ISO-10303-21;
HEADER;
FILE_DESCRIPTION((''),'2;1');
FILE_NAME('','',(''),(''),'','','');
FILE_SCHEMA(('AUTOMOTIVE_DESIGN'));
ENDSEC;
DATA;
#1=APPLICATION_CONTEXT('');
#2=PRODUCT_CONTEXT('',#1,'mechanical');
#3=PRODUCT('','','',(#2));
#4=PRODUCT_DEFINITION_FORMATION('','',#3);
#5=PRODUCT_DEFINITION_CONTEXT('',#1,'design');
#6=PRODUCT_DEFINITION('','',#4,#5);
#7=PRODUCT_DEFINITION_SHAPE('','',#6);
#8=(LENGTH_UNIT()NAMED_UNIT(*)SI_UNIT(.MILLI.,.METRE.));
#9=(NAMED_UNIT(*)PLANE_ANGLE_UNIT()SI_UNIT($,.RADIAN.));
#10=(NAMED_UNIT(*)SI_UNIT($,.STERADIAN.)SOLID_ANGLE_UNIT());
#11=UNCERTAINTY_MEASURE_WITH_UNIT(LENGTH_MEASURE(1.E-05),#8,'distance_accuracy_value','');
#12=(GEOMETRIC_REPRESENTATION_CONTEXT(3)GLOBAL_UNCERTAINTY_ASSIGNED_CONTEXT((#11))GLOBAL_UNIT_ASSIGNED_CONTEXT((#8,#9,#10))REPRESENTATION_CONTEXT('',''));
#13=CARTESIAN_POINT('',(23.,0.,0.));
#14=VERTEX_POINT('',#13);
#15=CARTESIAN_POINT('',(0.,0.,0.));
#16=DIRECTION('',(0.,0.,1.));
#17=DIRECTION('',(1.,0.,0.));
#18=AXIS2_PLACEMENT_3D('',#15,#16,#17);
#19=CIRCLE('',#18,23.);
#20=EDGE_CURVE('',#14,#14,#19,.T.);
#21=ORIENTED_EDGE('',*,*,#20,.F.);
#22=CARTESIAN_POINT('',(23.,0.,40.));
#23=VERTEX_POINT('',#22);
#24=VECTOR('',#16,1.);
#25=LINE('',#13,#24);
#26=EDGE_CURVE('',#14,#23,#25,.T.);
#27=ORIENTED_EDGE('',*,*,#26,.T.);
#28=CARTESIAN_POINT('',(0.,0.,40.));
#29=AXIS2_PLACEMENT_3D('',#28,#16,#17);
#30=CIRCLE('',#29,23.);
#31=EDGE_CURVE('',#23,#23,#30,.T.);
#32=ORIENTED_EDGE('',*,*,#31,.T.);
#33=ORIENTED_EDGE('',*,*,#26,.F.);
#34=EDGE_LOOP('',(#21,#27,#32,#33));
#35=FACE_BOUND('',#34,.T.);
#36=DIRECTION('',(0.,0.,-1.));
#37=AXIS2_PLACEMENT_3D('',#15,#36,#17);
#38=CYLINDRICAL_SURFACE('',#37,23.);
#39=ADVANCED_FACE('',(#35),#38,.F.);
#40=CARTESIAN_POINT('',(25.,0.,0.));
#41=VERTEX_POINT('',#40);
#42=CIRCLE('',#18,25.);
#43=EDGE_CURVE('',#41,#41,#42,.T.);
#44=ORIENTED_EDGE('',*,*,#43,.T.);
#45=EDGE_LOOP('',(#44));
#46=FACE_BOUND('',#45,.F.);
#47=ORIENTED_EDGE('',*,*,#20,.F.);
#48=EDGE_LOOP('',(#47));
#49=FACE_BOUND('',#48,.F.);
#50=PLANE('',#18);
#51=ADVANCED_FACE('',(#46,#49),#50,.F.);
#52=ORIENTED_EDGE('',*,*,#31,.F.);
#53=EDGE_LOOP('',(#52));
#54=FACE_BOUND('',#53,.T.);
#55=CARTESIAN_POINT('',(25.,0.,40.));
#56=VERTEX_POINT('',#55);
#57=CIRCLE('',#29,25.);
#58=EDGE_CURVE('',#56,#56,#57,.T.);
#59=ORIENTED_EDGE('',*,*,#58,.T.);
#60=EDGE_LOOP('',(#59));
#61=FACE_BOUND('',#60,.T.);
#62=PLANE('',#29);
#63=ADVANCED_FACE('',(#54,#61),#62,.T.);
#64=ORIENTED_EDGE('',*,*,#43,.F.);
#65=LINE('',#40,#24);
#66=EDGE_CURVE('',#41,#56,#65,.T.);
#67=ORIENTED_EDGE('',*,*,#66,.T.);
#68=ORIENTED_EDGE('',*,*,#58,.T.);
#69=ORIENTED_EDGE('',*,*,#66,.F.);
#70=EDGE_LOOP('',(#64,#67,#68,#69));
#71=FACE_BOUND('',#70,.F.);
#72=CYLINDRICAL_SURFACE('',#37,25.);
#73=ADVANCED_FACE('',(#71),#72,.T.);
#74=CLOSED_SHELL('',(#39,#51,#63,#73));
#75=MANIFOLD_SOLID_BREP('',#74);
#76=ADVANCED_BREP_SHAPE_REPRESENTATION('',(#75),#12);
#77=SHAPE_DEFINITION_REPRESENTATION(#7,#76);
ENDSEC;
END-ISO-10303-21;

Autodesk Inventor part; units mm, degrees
ref_plane "YZ Plane" through (0, 0, 0) normal (1, 0, 0) x (0, 1, 0)
ref_plane "XZ Plane" through (0, 0, 0) normal (0, 1, 0) x (-1, 0, 0)
ref_plane "XY Plane" through (0, 0, 0) normal (0, 0, 1) x (1, 0, 0)
sketch "Szkic1" plane through (0, 0, 0) normal (0, 0, 1) x (1, 0, 0)
  circle A0 centre (0, 0) radius 25
  circle A1 centre (0, 0) radius 23
  dimension "d0" = 50
  dimension "d1" = 46
extrude "Wyciągnięcie proste1" add sketch "Szkic1" along normal blind 40
properties part number "camera_pipe" material "Tworzywo sztuczne ABS"
